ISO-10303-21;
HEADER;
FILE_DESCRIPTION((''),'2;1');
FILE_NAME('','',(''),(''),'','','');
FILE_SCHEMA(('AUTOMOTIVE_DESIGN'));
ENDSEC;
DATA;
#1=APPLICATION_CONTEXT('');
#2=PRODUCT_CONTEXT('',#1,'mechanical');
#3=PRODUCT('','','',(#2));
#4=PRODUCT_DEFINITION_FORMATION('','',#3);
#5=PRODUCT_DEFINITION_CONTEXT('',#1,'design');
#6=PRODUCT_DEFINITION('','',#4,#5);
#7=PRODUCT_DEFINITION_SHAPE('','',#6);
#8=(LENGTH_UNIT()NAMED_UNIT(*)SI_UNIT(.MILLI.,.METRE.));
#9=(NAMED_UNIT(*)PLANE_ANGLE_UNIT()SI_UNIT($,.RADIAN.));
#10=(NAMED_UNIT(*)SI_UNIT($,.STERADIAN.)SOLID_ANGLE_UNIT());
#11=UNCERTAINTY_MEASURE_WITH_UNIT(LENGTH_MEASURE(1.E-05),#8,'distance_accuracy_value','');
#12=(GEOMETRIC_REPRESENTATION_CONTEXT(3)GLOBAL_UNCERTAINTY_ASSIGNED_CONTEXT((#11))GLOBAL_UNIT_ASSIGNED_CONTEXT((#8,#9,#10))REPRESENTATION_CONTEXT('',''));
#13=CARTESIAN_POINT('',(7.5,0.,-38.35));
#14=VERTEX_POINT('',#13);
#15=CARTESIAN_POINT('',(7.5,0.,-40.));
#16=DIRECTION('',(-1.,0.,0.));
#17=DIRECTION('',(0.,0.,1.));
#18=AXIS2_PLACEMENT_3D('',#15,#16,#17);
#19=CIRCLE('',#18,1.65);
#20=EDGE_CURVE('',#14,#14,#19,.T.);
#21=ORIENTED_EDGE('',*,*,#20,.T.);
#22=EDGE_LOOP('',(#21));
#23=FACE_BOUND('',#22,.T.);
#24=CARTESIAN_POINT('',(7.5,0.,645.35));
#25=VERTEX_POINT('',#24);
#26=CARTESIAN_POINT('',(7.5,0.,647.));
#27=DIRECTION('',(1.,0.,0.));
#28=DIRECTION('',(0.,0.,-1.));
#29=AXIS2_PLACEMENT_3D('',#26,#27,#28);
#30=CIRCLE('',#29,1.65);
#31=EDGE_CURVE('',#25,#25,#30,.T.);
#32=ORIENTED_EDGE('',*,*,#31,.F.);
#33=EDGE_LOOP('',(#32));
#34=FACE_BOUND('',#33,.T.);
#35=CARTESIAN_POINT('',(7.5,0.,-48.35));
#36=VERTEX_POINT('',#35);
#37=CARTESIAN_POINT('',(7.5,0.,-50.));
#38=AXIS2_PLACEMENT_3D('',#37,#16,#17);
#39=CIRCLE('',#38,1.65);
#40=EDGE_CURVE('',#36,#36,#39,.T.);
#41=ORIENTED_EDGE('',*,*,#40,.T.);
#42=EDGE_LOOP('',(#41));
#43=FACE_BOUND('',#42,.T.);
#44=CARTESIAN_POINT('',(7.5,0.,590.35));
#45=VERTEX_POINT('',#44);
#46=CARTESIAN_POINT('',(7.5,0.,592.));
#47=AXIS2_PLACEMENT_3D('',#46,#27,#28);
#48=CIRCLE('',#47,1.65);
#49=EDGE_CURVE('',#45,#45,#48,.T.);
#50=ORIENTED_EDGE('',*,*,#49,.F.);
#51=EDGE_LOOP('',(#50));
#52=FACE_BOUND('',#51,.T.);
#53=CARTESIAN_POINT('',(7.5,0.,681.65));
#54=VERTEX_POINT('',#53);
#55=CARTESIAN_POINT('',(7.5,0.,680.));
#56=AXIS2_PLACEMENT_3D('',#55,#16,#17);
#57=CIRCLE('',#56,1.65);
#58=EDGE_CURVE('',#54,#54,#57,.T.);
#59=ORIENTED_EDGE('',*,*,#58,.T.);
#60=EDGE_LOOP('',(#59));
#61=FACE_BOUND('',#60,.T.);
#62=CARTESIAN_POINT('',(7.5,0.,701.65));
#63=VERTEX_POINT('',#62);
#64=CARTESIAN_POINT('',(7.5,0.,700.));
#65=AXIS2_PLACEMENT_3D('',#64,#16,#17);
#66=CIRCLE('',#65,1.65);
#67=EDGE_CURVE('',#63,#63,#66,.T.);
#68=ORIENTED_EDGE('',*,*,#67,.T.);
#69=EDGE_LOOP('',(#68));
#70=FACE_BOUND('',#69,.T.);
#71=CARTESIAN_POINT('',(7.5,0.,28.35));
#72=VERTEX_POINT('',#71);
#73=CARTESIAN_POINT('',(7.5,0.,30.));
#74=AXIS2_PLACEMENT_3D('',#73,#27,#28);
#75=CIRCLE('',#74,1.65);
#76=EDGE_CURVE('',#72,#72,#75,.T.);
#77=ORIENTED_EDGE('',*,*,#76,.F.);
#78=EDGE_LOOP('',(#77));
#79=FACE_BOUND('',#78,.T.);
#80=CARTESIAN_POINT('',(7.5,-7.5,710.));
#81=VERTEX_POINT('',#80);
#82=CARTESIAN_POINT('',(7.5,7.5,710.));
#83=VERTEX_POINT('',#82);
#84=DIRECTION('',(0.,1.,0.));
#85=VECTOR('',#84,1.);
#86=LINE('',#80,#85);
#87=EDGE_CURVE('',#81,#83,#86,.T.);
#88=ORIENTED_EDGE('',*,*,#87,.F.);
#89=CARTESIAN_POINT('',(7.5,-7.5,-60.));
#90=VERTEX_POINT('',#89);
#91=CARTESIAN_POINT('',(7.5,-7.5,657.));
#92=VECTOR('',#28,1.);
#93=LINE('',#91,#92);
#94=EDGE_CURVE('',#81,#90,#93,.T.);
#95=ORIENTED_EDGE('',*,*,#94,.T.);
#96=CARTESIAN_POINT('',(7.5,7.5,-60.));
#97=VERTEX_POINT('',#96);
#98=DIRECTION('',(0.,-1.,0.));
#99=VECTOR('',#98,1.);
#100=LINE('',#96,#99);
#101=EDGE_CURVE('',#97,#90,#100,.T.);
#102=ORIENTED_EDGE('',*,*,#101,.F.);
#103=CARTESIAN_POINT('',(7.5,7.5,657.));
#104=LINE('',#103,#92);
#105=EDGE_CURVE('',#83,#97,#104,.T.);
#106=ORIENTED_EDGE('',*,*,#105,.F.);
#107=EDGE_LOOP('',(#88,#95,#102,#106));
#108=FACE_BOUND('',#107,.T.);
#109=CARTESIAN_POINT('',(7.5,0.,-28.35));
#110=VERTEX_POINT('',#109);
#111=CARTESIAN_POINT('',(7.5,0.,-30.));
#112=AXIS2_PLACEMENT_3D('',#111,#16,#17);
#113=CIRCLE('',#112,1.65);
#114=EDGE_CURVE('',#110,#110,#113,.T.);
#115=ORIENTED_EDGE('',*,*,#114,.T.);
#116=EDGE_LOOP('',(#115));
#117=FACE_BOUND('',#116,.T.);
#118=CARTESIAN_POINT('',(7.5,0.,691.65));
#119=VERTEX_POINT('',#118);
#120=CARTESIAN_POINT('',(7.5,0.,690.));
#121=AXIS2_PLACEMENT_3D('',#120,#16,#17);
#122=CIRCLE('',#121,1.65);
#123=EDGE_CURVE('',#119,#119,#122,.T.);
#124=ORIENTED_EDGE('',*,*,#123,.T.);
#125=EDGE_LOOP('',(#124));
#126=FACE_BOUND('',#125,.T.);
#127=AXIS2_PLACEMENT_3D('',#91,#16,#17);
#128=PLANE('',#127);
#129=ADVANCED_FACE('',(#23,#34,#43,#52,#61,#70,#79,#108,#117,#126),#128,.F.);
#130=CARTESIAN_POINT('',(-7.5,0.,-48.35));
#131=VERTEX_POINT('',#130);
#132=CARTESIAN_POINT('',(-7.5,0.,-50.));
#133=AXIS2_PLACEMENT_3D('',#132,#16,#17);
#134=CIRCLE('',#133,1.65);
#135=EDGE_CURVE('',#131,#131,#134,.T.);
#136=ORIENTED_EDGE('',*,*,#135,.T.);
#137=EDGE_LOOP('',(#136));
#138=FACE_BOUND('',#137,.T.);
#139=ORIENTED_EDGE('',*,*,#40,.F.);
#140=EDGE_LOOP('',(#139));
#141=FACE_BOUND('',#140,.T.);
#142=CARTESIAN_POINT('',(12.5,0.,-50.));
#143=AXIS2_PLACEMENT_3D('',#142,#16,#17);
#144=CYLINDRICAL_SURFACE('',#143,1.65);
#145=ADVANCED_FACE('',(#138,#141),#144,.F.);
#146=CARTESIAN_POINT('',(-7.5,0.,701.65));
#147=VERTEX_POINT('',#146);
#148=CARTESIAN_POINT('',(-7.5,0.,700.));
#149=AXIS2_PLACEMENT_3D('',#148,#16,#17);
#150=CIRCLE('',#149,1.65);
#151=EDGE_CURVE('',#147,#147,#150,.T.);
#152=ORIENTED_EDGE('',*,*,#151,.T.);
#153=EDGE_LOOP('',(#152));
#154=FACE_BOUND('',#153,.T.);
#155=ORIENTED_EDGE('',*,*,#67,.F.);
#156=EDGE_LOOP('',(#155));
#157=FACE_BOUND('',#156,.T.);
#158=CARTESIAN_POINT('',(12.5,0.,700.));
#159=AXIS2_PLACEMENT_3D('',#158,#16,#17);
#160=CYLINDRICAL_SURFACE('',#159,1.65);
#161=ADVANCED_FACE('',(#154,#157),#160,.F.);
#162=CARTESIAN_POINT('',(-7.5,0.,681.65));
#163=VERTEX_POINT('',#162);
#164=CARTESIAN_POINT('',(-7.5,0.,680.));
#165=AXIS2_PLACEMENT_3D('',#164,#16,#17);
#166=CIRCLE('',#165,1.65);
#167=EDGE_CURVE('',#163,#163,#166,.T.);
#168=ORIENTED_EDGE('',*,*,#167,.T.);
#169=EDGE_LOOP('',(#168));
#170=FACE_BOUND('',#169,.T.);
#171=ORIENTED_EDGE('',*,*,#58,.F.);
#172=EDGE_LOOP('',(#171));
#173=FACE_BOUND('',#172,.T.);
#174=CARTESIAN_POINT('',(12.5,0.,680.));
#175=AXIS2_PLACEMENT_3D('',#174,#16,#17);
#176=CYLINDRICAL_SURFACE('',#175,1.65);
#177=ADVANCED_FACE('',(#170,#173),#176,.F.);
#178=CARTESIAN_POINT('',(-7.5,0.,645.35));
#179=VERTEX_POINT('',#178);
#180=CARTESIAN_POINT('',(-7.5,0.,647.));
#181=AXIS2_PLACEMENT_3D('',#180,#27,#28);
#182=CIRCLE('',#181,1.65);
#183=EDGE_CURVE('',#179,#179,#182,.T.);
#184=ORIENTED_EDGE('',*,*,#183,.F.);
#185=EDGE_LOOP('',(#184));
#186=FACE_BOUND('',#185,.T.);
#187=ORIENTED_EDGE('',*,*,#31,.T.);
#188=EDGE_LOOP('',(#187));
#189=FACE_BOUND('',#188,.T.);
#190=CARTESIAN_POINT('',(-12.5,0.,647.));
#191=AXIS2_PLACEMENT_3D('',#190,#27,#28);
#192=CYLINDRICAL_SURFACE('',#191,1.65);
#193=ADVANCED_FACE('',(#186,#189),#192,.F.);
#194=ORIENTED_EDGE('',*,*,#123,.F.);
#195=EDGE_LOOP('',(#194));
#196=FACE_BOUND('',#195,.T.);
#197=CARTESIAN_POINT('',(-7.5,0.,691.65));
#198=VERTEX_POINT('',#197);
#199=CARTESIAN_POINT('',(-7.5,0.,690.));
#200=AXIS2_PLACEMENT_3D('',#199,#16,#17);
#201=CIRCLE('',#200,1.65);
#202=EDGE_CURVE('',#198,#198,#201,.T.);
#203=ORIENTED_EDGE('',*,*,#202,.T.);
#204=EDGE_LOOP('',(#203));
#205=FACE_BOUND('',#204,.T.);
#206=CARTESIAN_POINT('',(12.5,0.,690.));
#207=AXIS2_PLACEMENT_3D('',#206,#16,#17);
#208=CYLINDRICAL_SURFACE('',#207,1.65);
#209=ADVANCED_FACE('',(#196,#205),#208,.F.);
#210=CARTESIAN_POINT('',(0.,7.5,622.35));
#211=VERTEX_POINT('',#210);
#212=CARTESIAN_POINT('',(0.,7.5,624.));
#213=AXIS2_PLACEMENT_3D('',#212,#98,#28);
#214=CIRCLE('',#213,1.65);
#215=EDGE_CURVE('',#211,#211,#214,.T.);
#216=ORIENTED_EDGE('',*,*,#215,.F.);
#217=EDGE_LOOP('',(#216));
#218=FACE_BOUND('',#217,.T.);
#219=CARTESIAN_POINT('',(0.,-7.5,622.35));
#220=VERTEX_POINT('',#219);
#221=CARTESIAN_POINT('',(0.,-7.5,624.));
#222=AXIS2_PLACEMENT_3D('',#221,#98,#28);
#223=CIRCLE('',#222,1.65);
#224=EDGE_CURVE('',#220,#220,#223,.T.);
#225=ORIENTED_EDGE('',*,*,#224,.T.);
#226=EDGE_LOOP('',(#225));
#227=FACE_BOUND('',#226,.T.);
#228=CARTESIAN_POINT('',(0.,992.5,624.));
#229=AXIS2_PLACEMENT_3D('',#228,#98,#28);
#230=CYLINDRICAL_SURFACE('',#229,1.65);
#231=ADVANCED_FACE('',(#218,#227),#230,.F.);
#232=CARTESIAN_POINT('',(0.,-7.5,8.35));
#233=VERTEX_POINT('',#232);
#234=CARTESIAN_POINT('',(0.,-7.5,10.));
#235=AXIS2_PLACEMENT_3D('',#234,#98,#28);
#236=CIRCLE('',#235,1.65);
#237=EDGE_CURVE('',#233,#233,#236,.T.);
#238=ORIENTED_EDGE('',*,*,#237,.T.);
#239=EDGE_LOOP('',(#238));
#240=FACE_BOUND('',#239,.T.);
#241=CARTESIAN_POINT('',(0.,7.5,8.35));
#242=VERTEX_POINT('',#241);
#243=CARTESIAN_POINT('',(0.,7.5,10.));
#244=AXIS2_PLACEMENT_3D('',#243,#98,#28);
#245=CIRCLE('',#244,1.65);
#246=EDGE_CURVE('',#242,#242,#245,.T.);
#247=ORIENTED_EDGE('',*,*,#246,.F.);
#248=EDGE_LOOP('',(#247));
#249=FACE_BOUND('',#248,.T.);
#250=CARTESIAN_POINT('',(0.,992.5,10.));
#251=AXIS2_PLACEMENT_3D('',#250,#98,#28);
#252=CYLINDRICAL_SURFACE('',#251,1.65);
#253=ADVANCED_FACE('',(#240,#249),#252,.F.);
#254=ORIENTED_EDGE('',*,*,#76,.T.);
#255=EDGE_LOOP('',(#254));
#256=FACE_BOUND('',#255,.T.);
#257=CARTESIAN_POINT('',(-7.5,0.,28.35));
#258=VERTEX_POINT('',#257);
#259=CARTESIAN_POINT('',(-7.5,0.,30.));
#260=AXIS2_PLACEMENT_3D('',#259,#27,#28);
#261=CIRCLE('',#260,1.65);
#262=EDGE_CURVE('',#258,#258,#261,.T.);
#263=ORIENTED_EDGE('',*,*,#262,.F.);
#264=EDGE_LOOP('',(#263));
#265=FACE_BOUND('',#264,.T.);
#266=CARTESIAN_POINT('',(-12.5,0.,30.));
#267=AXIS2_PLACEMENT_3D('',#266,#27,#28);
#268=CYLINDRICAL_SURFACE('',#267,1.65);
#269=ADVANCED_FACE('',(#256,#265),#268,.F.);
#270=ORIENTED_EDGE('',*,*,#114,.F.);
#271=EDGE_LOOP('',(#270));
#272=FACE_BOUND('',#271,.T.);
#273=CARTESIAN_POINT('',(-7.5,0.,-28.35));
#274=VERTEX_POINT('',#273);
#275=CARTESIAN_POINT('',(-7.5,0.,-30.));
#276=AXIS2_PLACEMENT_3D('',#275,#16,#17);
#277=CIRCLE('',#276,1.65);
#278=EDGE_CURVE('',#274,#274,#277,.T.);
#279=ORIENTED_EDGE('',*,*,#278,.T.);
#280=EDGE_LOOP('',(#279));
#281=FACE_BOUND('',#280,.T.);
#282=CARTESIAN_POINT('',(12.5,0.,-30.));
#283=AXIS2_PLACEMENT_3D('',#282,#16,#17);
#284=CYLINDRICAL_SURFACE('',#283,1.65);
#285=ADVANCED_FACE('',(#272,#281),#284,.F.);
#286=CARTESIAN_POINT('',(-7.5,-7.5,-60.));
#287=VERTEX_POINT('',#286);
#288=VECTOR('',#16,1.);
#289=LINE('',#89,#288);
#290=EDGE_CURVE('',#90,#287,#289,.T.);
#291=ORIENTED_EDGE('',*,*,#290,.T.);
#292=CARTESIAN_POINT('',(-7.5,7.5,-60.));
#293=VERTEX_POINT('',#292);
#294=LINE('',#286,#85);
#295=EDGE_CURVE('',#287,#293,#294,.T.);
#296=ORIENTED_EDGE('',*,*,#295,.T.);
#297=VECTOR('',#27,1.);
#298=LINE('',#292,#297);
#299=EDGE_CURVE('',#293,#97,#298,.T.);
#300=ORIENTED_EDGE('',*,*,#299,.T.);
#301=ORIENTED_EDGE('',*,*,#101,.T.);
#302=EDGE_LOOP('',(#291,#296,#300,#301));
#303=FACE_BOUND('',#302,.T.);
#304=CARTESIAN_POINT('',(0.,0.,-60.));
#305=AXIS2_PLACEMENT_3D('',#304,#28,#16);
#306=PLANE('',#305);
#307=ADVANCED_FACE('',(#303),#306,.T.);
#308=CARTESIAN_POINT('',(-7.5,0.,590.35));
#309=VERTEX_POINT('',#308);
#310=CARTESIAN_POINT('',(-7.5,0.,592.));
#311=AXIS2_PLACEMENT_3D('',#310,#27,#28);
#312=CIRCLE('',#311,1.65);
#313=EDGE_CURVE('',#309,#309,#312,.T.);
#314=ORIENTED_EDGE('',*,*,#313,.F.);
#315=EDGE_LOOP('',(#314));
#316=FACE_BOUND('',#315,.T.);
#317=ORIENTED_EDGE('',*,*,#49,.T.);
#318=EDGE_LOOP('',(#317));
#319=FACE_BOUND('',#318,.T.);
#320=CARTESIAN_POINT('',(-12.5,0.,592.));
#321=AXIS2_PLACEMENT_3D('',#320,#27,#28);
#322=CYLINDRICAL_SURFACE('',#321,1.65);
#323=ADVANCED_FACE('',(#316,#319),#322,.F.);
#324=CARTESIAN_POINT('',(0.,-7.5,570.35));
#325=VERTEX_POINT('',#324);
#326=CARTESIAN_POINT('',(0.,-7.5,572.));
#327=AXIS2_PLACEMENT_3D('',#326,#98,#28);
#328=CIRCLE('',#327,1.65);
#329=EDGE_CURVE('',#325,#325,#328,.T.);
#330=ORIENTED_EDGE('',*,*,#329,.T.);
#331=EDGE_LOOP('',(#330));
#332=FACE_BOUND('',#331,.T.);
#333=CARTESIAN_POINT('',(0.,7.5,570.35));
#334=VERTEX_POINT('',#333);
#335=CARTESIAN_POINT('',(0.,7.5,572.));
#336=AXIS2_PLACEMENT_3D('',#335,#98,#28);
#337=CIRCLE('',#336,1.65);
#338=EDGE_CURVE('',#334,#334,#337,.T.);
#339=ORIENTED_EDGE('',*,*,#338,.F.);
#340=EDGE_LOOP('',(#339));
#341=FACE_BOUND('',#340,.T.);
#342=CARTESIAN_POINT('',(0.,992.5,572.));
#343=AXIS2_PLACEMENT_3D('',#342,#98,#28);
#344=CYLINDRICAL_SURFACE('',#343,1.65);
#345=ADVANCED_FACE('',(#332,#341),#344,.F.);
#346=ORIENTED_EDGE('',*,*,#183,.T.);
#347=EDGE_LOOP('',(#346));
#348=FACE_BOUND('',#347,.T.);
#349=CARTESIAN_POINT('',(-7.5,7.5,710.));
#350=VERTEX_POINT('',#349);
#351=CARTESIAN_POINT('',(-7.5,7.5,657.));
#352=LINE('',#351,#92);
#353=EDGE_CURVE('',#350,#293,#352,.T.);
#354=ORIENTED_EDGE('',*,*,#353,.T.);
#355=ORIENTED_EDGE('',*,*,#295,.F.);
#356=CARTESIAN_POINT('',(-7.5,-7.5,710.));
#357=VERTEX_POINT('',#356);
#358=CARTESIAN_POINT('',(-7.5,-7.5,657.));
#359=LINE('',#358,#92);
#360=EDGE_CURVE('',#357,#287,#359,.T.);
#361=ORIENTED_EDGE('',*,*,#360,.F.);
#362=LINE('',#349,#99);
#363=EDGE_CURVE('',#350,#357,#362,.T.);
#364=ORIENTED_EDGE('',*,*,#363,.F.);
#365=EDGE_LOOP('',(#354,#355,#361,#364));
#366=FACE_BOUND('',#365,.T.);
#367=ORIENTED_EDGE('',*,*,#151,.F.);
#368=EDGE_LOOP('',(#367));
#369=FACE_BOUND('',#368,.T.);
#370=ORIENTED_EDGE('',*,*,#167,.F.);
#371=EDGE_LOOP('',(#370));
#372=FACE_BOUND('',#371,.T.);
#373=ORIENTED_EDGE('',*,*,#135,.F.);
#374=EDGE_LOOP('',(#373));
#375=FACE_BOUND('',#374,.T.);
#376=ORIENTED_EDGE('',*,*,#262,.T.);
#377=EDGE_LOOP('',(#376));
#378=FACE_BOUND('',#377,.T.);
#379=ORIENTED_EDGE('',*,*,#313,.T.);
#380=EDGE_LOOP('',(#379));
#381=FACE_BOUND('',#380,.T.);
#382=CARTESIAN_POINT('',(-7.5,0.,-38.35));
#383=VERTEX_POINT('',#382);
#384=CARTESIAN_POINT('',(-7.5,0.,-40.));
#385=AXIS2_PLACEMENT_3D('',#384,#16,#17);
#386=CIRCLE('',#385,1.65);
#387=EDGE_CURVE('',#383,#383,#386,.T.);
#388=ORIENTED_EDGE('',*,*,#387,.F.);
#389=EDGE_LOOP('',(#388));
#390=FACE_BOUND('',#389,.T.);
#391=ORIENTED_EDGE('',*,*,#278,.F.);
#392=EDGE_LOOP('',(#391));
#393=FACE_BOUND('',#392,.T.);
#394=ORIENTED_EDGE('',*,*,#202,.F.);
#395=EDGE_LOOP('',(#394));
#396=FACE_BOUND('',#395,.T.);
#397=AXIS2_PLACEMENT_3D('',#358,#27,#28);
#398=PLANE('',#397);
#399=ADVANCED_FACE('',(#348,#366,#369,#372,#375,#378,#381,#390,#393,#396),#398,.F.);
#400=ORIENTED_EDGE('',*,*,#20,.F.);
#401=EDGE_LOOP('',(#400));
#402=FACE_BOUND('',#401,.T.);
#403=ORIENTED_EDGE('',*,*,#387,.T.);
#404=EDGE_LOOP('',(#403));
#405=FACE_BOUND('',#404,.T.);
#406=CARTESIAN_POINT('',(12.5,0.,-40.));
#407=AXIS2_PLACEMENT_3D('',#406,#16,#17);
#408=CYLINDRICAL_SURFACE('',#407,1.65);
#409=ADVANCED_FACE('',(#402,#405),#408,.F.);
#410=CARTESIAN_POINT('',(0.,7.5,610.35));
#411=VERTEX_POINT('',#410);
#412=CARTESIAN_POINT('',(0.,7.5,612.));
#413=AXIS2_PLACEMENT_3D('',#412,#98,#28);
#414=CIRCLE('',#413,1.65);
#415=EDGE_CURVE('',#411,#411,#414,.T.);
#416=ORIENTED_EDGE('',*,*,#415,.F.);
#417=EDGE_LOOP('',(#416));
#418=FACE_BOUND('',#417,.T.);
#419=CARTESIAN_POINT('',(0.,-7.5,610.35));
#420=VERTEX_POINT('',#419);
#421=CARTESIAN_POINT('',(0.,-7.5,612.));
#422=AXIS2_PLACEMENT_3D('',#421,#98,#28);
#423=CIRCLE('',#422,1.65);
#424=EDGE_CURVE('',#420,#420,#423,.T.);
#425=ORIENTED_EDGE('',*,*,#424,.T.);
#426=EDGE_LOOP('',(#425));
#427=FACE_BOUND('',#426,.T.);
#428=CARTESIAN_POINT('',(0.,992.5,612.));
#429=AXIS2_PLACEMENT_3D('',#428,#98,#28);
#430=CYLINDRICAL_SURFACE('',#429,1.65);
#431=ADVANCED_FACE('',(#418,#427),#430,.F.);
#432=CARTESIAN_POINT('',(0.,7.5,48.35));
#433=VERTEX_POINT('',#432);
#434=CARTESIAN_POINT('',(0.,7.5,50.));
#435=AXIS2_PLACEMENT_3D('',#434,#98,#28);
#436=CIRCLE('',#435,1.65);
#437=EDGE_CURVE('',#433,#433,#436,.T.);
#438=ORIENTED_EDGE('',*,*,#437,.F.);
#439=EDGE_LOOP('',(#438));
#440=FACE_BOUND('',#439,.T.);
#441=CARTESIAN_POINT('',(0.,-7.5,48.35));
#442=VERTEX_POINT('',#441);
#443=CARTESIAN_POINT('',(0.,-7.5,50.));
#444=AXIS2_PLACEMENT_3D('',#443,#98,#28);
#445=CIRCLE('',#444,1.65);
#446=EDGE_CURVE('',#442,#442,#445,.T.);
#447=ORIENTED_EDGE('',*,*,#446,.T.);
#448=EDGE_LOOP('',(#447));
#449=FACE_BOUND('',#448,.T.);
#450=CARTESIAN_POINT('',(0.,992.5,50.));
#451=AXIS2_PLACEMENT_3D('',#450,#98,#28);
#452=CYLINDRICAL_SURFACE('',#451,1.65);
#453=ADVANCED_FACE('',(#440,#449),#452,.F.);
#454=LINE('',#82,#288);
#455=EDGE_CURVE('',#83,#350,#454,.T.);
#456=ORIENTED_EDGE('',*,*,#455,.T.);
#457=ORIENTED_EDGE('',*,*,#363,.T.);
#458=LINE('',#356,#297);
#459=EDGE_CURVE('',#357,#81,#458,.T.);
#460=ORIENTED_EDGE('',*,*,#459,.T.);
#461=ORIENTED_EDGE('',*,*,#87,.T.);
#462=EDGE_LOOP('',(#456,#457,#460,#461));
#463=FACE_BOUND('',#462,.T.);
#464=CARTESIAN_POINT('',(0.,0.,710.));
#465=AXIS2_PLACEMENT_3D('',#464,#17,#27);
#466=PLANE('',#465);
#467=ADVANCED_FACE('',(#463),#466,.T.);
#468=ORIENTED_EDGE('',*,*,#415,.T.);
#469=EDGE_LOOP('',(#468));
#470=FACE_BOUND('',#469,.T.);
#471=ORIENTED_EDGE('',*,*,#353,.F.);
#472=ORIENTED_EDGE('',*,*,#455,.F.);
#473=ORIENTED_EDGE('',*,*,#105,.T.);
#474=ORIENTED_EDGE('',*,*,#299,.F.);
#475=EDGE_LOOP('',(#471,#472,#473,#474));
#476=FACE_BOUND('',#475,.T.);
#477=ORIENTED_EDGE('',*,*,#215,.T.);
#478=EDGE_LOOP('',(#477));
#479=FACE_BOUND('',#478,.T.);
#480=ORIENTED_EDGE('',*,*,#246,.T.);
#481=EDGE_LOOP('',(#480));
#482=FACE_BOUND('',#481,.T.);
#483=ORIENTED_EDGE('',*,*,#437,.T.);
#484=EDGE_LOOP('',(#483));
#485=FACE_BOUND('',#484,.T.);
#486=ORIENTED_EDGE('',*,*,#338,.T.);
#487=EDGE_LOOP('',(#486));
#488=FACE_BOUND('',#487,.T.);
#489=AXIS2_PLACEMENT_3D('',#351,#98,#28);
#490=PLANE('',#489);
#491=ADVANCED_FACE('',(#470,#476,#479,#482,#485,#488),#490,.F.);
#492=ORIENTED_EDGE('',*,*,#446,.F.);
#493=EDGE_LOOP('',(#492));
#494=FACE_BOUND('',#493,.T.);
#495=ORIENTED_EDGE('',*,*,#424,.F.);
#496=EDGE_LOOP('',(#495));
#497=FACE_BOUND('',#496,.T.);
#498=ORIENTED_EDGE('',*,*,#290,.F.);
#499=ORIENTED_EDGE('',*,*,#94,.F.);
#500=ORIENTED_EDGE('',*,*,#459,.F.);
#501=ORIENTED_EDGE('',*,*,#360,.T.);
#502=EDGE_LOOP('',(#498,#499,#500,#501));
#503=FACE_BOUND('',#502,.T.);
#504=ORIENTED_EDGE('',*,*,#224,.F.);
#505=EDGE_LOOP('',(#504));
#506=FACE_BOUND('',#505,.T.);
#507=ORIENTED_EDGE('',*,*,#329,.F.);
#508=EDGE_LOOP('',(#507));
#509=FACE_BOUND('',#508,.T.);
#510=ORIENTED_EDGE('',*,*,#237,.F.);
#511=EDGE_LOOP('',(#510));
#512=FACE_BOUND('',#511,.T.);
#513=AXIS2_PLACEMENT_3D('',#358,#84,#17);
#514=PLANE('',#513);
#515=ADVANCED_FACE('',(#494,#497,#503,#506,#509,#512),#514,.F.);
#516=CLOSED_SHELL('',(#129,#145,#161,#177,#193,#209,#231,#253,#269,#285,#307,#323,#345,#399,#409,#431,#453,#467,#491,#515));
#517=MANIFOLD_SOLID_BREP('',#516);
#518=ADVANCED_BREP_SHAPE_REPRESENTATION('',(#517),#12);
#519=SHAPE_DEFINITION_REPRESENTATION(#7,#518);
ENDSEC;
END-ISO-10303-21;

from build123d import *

# Parameters (mm, degrees)
SKETCH_1_W          = 15
SKETCH_1_H          = 15
EXTRUDE_1_DEPTH     = 657
SKETCH_2_R          = 1.65
CUT_EXTRUDE_1_DEPTH = 1000
SKETCH_4_R          = 1.65
CUT_EXTRUDE_2_DEPTH = 20
SKETCH_5_W          = 15
SKETCH_5_H          = 15
EXTRUDE_2_DEPTH     = 20
SKETCH_6_W          = 15
SKETCH_6_H          = 15
EXTRUDE_3_DEPTH     = 23
SKETCH_7_W          = 15
SKETCH_7_H          = 15
EXTRUDE_4_DEPTH     = 30
SKETCH_8_W          = 15
SKETCH_8_H          = 15
EXTRUDE_5_DEPTH     = 30
SKETCH_9_W          = 15
SKETCH_9_H          = 15
EXTRUDE_6_DEPTH     = 10
SKETCH_10_R         = 1.65
CUT_EXTRUDE_3_DEPTH = 20


with BuildPart() as part:
    # 草图1 → 凸台-拉伸1 (new body)
    with BuildSketch(Plane.XY):
        Rectangle(SKETCH_1_W, SKETCH_1_H)
    extrude(amount=EXTRUDE_1_DEPTH)

    # 草图2 → 切除-拉伸1 (cut)
    with BuildSketch(Plane.XZ.offset(7.5)):
        with Locations(Location((0, 624, 0), (0, 0, 270))):
            Circle(SKETCH_2_R)
        with Locations(Location((0, 612, 0), (0, 0, 270))):
            Circle(SKETCH_2_R)
        with Locations(Location((0, 572, 0), (0, 0, 270))):
            Circle(SKETCH_2_R)
        with Locations(Location((0, 10, 0), (0, 0, 270))):
            Circle(SKETCH_2_R)
        with Locations(Location((0, 50, 0), (0, 0, 270))):
            Circle(SKETCH_2_R)
    extrude(amount=-CUT_EXTRUDE_1_DEPTH, mode=Mode.SUBTRACT)

    # 草图4 → 切除-拉伸2 (cut)
    with BuildSketch(Plane(origin=(7.5, 0, 0), x_dir=(0, 0, -1), z_dir=(1, 0, 0))):
        with Locations((-647, 0)):
            Circle(SKETCH_4_R)
        with Locations((-592, 0)):
            Circle(SKETCH_4_R)
        with Locations((-30, 0)):
            Circle(SKETCH_4_R)
    extrude(amount=-CUT_EXTRUDE_2_DEPTH, mode=Mode.SUBTRACT)

    # 草图5 → 凸台-拉伸2 (add)
    with BuildSketch(Plane(origin=(0, 0, 0), x_dir=(-1, 0, 0), z_dir=(0, 0, -1))):
        Rectangle(SKETCH_5_W, SKETCH_5_H)
    extrude(amount=EXTRUDE_2_DEPTH)

    # 草图6 → 凸台-拉伸3 (add)
    with BuildSketch(Plane.XY.offset(657)):
        Rectangle(SKETCH_6_W, SKETCH_6_H)
    extrude(amount=EXTRUDE_3_DEPTH)

    # 草图7 → 凸台-拉伸4 (add)
    with BuildSketch(Plane.XY.offset(680)):
        Rectangle(SKETCH_7_W, SKETCH_7_H)
    extrude(amount=EXTRUDE_4_DEPTH)

    # 草图8 → 凸台-拉伸5 (add)
    with BuildSketch(Plane(origin=(0, 0, -20), x_dir=(-1, 0, 0), z_dir=(0, 0, -1))):
        Rectangle(SKETCH_8_W, SKETCH_8_H)
    extrude(amount=EXTRUDE_5_DEPTH)

    # 草图9 → 凸台-拉伸6 (add)
    with BuildSketch(Plane(origin=(0, 0, -50), x_dir=(-1, 0, 0), z_dir=(0, 0, -1))):
        Rectangle(SKETCH_9_W, SKETCH_9_H)
    extrude(amount=EXTRUDE_6_DEPTH)

    # 草图10 → 切除-拉伸3 (cut)
    with BuildSketch(Plane.ZY.offset(7.5)):
        with Locations((-50, 0)):
            Circle(SKETCH_10_R)
        with Locations((-40, 0)):
            Circle(SKETCH_10_R)
        with Locations((-30, 0)):
            Circle(SKETCH_10_R)
        with Locations((680, 0)):
            Circle(SKETCH_10_R)
        with Locations((690, 0)):
            Circle(SKETCH_10_R)
        with Locations((700, 0)):
            Circle(SKETCH_10_R)
    extrude(amount=-CUT_EXTRUDE_3_DEPTH, mode=Mode.SUBTRACT)


solid = part.part
